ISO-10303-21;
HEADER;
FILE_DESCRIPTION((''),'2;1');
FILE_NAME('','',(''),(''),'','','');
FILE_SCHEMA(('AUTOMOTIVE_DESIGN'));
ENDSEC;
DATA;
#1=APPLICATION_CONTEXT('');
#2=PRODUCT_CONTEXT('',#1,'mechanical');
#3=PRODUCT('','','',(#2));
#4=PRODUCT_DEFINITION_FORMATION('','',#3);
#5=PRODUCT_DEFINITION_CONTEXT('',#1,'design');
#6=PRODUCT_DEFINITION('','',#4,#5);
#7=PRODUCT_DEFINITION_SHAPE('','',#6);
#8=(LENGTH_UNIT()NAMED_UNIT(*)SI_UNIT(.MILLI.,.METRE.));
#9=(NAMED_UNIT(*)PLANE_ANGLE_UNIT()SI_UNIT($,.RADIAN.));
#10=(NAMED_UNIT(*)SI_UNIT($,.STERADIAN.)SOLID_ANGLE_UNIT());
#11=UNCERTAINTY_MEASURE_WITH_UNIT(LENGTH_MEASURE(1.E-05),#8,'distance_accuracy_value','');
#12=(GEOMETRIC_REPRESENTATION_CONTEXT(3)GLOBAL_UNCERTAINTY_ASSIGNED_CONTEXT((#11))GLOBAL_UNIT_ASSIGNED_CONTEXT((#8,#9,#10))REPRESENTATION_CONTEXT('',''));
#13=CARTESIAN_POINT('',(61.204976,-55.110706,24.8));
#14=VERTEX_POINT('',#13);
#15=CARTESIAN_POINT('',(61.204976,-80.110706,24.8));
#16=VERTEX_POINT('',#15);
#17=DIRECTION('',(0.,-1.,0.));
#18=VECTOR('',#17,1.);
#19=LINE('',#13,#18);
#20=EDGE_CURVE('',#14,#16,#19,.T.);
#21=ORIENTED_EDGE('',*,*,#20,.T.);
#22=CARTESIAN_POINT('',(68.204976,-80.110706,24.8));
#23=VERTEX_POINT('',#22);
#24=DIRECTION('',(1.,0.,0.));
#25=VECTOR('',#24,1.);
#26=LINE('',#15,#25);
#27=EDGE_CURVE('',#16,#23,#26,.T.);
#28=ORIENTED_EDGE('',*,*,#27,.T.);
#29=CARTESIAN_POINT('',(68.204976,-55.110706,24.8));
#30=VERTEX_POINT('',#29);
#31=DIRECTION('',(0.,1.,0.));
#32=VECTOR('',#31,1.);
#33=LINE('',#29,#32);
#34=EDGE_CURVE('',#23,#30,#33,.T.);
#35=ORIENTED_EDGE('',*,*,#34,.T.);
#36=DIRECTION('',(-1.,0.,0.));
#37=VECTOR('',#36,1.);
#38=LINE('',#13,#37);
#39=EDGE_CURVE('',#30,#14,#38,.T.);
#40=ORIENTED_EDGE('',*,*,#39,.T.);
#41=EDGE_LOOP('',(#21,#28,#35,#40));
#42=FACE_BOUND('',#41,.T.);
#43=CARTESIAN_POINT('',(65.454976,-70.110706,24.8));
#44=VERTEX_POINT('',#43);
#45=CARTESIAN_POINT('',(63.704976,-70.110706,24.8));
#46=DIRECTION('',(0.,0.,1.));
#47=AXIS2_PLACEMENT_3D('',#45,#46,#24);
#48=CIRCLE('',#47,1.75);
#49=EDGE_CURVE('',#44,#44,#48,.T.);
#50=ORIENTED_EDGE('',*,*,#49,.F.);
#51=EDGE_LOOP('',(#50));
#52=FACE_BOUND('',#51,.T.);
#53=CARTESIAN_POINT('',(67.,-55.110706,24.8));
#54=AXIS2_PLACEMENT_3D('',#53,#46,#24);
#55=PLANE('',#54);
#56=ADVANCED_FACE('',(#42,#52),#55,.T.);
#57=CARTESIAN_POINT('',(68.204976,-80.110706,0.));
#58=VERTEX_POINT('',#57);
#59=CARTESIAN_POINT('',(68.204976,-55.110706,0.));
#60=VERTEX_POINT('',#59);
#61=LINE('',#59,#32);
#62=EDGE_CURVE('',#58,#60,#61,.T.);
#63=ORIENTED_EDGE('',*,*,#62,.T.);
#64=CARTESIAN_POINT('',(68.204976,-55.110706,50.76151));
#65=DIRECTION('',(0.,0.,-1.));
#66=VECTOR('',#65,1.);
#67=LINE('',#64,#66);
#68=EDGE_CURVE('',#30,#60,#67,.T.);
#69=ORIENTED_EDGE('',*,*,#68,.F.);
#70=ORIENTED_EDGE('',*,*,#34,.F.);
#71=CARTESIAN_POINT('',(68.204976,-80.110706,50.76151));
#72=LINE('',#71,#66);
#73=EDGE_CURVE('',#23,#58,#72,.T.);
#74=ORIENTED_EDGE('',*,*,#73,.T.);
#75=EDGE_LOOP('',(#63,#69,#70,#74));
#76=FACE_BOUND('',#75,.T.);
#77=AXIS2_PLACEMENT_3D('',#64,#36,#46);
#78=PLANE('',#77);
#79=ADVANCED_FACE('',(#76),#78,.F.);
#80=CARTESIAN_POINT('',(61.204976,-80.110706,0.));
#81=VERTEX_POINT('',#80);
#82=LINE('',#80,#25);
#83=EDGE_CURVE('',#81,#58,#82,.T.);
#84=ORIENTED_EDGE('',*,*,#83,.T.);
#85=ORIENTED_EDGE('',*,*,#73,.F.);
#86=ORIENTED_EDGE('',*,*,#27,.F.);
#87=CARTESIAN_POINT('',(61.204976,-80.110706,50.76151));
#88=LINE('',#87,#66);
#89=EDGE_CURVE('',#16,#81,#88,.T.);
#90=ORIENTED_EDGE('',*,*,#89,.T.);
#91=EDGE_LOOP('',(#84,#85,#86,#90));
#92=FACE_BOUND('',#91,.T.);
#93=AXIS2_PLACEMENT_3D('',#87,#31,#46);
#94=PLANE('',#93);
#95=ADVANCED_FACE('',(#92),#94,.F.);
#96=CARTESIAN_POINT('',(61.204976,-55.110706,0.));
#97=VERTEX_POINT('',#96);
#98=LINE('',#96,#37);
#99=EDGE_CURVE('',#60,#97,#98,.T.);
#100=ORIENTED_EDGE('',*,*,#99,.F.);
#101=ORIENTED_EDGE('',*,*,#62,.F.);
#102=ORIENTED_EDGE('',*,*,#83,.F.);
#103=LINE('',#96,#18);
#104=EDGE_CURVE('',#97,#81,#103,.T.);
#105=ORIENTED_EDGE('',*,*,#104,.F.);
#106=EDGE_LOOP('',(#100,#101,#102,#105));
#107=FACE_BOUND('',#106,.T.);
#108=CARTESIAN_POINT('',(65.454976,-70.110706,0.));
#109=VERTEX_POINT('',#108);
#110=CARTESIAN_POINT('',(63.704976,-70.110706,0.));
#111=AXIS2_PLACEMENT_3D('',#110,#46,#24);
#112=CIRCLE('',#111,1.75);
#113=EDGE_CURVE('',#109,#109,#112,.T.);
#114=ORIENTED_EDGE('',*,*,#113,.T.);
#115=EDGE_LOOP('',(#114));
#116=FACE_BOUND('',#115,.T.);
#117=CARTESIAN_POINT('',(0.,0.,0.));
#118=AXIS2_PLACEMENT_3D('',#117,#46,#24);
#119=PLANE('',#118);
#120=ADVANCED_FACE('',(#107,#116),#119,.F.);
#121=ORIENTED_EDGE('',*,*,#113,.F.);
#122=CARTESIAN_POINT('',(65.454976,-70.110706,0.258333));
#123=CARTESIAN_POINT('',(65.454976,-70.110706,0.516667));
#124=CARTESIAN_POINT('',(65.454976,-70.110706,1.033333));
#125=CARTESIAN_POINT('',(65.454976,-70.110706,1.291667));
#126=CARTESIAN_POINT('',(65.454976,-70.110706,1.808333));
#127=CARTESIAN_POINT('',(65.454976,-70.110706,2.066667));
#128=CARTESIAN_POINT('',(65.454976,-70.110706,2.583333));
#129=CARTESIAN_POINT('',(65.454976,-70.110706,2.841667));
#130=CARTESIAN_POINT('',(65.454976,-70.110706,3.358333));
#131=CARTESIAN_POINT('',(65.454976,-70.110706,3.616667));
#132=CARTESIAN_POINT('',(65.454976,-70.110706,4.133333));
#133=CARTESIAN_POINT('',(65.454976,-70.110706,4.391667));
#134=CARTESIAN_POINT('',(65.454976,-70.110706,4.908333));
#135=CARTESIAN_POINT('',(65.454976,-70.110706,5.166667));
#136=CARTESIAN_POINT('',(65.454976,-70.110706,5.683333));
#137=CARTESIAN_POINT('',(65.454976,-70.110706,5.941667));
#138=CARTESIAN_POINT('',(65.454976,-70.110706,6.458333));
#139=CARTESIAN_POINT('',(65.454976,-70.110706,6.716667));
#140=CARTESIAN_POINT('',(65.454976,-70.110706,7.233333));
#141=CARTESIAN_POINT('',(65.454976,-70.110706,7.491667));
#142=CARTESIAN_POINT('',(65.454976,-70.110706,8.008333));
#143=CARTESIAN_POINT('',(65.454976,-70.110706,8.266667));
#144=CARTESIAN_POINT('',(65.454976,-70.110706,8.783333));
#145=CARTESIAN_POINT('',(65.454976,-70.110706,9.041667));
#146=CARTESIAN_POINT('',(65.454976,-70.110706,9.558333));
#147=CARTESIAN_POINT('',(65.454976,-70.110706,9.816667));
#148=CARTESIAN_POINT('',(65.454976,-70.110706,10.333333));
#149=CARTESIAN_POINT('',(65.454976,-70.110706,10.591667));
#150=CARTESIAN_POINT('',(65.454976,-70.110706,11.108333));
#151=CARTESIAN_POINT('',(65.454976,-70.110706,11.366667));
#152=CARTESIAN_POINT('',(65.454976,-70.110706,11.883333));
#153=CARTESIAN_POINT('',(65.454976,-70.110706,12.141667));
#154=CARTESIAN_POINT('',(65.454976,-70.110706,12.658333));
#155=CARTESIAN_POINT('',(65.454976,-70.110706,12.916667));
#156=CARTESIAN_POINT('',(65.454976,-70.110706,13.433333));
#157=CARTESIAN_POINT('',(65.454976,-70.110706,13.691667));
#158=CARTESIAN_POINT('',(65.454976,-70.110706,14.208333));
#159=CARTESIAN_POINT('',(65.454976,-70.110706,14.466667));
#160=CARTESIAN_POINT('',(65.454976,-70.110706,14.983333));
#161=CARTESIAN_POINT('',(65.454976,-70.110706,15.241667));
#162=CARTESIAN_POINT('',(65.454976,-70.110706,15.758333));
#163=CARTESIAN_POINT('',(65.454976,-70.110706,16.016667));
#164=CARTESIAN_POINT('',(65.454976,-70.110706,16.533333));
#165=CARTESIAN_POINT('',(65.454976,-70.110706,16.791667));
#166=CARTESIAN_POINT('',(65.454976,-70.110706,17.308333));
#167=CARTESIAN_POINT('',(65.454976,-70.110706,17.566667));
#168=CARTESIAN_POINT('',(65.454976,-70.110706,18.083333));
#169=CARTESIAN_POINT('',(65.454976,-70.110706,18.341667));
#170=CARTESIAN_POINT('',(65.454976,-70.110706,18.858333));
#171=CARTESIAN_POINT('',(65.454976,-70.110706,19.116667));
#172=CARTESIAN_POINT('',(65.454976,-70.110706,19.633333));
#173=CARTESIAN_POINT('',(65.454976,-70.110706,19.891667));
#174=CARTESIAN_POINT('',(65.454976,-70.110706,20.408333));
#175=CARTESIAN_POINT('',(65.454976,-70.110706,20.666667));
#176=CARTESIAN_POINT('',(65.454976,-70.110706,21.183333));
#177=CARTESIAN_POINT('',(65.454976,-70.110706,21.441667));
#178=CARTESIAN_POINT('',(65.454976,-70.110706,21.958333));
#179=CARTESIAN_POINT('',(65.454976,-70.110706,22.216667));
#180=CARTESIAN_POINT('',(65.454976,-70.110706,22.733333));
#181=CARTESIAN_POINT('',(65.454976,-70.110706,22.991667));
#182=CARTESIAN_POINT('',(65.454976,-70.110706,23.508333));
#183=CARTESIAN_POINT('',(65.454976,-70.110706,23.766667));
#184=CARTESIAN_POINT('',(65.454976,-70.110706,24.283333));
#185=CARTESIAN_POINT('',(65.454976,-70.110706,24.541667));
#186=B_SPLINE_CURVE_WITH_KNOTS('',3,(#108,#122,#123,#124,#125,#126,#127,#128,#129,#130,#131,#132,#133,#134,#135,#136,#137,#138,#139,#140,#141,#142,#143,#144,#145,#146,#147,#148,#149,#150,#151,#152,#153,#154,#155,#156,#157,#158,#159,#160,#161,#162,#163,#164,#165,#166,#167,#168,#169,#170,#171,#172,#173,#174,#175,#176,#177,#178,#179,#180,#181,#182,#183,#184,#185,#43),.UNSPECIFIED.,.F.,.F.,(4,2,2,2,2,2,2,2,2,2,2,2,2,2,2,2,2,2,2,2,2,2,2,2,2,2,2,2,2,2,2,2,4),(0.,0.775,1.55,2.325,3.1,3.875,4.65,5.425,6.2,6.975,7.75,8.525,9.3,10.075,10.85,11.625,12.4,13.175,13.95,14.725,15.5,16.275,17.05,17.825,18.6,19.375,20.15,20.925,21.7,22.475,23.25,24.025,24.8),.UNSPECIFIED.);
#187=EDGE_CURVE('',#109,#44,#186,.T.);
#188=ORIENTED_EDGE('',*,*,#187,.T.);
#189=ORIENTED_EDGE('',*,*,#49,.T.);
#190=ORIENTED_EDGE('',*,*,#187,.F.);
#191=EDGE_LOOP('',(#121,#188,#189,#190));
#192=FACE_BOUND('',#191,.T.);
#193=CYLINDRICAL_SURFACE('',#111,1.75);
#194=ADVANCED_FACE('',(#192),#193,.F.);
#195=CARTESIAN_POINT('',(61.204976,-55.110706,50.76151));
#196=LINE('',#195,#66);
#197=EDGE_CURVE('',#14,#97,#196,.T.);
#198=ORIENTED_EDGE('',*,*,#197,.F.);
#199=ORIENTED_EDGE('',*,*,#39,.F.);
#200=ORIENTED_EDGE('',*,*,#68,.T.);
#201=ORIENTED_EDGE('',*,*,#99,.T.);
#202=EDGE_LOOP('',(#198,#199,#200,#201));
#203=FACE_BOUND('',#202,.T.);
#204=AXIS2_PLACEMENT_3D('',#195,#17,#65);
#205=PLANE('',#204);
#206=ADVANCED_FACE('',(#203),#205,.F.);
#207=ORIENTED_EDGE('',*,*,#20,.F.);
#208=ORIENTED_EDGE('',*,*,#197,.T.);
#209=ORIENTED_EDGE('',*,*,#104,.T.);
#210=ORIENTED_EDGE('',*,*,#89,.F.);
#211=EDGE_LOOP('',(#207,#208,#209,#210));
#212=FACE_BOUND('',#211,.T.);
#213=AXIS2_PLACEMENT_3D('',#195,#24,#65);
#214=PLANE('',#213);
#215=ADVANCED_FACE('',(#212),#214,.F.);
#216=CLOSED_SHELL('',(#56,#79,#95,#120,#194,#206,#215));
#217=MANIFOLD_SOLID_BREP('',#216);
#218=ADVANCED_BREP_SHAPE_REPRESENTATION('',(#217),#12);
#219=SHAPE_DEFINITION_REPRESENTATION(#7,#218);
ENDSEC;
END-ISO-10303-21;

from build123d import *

# Parameters (mm, degrees)
SKETCH1_W           = 7
SKETCH1_H           = 25
BOSS_EXTRUDE1_DEPTH = 24.8
SKETCH2_R           = 1.75
CUT_EXTRUDE1_DEPTH  = 109.095716853


with BuildPart() as part:
    # Sketch1 → Boss-Extrude1 (new body)
    with BuildSketch(Plane.XY):
        with Locations((64.704976365, -67.610705908)):
            Rectangle(SKETCH1_W, SKETCH1_H)
    extrude(amount=BOSS_EXTRUDE1_DEPTH)

    # Sketch2 → Cut-Extrude1 (cut, through all)
    with BuildSketch(Plane.XY.offset(24.8)):
        with Locations((63.704976365, -70.110705908)):
            Circle(SKETCH2_R)
        with Locations((63.704976365, -90.110705908)):
            Circle(SKETCH2_R)
    extrude(amount=-CUT_EXTRUDE1_DEPTH, mode=Mode.SUBTRACT)


solid = part.part
